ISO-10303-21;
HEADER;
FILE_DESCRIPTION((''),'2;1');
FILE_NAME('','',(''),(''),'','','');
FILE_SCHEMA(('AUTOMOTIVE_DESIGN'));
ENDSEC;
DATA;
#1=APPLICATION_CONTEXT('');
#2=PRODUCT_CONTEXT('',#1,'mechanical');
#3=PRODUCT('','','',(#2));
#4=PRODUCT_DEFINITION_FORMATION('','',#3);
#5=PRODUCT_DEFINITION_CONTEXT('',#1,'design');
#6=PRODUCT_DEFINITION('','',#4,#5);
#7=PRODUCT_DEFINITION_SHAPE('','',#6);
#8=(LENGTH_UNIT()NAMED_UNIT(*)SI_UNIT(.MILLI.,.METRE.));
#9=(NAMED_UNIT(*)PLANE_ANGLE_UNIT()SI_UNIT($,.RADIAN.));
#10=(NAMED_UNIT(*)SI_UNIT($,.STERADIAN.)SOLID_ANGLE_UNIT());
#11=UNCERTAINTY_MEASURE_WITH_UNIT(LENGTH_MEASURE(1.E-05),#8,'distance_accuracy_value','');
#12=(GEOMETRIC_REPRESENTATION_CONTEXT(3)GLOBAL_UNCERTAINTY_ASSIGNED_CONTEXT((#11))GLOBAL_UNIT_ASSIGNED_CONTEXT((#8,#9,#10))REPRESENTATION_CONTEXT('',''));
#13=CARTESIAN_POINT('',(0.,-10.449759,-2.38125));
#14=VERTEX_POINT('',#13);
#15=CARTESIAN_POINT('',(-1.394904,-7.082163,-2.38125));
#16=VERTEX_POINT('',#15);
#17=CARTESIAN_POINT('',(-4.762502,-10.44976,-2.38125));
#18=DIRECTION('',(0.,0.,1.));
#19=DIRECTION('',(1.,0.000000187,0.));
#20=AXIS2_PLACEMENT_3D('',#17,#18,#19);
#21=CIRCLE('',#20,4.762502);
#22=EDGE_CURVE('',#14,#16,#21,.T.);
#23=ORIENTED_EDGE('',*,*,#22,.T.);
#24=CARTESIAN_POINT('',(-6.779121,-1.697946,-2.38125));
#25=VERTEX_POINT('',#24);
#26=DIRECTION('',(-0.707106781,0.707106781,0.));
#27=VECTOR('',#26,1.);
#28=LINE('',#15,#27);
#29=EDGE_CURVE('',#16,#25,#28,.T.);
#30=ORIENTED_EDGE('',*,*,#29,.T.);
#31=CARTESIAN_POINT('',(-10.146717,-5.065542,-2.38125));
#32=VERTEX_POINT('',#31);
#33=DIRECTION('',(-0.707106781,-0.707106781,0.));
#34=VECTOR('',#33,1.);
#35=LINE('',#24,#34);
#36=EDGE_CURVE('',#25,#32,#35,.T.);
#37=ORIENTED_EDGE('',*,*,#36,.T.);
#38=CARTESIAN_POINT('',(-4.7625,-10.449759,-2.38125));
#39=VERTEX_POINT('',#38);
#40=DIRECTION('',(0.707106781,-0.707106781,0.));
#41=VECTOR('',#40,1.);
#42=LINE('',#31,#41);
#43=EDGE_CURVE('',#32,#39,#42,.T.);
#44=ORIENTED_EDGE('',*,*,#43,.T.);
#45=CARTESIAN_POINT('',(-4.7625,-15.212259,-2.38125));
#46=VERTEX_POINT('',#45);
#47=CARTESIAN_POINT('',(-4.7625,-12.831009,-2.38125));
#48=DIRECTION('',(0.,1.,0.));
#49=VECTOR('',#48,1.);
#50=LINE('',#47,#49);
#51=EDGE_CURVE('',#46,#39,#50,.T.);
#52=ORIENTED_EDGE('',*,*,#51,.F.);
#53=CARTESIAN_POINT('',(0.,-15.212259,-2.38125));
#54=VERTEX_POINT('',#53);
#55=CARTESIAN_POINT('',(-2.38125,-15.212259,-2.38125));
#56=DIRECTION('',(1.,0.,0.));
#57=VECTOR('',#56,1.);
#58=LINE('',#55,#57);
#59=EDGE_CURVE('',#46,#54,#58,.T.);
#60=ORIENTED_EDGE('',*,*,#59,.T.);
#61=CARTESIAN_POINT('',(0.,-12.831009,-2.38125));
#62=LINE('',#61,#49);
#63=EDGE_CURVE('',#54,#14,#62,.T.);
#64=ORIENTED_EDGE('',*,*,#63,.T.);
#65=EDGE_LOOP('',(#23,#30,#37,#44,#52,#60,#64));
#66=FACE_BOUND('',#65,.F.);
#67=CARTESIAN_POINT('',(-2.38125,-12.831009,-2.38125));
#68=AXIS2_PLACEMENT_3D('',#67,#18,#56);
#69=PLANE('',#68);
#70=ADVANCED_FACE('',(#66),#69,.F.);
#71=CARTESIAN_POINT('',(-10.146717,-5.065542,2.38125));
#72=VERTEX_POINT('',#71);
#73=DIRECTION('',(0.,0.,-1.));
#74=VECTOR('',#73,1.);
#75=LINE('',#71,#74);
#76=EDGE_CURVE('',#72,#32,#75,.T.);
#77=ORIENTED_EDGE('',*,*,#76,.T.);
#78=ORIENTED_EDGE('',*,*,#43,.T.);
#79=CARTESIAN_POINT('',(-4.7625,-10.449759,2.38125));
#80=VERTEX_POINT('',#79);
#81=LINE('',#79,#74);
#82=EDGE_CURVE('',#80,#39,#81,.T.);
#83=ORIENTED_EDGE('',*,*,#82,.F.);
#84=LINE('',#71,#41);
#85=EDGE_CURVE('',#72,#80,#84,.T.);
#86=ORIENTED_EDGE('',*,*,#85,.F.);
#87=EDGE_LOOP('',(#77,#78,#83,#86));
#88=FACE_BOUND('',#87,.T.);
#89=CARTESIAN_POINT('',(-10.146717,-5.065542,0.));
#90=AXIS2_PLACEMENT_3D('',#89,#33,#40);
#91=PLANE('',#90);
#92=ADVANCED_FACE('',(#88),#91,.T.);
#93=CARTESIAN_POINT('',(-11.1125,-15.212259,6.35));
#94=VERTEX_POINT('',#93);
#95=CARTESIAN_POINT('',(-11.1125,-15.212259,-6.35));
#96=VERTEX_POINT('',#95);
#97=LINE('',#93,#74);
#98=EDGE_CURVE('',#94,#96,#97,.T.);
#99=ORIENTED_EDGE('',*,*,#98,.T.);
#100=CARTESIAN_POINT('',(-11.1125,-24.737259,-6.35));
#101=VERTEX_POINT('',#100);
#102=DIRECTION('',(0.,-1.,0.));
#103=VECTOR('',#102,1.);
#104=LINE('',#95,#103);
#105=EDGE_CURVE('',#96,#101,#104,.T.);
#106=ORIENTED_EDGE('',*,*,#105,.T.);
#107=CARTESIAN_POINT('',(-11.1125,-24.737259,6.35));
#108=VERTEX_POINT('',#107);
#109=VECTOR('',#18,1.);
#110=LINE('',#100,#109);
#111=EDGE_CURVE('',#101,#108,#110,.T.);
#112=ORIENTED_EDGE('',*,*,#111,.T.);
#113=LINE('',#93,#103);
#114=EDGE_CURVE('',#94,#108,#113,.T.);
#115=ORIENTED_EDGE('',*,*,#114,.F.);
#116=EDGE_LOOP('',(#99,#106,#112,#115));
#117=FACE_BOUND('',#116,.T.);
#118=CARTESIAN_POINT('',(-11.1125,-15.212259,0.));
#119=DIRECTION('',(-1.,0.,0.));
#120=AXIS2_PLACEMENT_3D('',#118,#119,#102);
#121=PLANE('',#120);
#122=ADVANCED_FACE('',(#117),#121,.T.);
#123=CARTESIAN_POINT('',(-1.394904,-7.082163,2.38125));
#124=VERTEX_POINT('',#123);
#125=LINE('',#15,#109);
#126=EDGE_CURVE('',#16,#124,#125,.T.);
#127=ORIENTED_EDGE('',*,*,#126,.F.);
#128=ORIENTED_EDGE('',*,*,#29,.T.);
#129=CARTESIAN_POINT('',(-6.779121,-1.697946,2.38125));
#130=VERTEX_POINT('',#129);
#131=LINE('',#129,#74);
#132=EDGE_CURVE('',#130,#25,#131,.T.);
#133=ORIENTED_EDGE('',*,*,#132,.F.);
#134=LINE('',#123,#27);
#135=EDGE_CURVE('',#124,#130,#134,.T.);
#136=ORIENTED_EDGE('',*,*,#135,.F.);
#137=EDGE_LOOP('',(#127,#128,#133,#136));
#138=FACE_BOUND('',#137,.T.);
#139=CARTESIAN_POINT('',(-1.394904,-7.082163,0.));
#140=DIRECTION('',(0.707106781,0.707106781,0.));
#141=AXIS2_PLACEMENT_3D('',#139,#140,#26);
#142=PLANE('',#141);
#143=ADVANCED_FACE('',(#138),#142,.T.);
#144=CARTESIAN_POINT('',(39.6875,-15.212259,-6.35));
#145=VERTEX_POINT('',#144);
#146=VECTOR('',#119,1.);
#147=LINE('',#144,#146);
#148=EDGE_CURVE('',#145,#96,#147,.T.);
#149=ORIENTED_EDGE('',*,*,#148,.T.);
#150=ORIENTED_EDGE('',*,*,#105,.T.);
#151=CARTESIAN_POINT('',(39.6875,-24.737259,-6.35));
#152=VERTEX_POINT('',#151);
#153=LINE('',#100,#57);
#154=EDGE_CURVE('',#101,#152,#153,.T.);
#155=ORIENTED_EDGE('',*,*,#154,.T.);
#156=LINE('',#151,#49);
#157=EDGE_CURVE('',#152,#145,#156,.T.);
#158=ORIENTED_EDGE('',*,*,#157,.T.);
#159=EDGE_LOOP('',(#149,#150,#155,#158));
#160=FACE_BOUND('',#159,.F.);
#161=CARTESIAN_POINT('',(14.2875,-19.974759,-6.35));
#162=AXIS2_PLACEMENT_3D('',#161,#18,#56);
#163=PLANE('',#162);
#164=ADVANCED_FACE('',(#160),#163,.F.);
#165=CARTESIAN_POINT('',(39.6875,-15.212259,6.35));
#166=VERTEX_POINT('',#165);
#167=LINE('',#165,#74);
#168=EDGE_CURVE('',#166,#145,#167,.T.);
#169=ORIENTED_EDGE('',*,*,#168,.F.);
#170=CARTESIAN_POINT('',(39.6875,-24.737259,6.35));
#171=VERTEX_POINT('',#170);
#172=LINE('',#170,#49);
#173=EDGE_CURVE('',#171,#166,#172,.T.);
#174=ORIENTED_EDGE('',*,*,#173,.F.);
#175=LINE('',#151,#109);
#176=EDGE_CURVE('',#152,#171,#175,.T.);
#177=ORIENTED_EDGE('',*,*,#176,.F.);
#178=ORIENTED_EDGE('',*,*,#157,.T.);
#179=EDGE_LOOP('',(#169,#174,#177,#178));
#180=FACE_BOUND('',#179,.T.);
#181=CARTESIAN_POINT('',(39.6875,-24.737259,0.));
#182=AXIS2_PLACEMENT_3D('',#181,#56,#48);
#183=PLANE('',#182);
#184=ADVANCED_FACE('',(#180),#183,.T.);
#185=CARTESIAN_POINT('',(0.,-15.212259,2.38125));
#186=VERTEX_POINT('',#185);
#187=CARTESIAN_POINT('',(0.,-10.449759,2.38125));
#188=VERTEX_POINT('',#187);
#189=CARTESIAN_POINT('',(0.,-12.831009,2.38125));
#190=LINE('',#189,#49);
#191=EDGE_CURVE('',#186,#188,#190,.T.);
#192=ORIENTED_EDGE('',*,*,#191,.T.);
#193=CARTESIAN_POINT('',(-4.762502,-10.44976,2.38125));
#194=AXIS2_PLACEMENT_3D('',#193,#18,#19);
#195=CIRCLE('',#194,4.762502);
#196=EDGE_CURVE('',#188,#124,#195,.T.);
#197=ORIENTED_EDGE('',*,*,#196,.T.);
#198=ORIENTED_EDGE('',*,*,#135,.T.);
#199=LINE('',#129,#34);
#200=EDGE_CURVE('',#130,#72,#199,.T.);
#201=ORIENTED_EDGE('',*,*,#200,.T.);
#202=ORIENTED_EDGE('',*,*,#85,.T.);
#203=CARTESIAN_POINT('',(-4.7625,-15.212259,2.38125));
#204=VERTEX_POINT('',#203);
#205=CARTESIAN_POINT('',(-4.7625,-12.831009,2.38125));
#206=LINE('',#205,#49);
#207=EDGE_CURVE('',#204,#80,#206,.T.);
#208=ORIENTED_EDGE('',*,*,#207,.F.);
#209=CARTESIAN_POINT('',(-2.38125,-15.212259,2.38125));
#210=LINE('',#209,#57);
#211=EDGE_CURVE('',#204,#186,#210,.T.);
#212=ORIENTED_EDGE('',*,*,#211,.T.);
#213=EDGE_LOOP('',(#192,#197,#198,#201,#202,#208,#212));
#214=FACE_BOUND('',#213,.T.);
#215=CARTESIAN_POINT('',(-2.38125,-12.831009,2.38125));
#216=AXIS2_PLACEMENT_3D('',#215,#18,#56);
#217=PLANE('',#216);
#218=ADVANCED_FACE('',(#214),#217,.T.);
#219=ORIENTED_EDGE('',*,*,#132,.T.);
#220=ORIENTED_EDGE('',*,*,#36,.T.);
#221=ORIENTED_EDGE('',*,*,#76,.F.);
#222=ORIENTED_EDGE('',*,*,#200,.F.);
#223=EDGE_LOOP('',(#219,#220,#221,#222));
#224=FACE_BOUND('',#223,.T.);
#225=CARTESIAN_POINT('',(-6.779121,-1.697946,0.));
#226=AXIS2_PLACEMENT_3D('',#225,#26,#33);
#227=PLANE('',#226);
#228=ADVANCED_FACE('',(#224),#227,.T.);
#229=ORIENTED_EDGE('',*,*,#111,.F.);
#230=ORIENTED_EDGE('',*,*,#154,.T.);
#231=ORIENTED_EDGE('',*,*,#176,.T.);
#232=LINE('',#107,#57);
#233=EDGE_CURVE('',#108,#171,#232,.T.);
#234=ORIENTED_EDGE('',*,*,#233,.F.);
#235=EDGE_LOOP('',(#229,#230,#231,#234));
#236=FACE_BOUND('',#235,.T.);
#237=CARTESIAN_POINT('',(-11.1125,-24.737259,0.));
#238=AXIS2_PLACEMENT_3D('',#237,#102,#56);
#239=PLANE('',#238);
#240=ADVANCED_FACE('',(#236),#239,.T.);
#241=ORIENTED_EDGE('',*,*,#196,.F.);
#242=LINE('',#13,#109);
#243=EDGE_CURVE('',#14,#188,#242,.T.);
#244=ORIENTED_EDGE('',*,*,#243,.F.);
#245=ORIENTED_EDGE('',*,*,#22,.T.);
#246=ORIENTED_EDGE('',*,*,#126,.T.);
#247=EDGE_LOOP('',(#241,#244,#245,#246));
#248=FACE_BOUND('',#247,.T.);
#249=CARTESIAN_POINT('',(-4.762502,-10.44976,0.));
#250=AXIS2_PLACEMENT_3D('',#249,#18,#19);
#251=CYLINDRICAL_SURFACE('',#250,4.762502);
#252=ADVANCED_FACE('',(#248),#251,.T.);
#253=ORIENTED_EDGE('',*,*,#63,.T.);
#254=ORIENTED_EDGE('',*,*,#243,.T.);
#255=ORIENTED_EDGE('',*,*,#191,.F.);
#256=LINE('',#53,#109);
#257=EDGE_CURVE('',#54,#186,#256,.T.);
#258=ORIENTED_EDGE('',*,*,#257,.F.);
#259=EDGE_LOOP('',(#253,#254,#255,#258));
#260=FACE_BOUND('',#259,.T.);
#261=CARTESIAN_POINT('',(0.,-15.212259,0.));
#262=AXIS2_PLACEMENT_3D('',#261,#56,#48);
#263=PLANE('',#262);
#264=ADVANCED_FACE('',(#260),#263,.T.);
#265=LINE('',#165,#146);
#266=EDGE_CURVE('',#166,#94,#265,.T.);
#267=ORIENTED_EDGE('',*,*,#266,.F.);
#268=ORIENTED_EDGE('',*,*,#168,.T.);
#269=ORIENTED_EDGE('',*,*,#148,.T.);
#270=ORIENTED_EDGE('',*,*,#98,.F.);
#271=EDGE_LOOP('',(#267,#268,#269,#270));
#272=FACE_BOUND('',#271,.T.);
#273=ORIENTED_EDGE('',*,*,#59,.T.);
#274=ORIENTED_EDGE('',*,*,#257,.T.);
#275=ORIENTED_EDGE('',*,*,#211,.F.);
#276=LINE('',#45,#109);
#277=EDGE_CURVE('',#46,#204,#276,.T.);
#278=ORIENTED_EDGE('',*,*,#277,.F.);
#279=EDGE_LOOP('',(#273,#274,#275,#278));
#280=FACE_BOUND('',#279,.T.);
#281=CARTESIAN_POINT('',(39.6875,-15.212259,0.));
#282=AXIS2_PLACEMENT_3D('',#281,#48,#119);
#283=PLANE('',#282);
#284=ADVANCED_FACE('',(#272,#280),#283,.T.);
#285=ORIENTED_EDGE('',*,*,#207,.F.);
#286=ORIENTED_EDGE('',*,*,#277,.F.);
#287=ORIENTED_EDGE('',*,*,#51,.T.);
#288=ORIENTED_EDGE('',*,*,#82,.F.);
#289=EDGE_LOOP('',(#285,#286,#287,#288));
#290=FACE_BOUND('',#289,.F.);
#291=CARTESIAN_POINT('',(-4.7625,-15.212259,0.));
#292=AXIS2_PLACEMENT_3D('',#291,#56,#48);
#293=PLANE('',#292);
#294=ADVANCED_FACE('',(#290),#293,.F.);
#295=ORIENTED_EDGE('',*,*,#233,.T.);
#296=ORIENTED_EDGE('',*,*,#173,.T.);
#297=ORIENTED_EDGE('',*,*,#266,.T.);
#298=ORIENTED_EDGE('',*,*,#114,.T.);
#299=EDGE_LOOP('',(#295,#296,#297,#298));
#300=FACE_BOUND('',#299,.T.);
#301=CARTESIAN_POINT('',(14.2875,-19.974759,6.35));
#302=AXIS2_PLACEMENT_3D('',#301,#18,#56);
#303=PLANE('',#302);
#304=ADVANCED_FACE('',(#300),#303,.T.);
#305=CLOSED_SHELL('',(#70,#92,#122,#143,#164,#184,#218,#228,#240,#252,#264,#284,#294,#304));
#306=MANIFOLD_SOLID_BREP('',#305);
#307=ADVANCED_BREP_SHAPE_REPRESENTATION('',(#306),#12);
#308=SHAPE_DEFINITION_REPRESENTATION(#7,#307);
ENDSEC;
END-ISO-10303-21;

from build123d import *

# Parameters (mm, degrees)
F1_DEPTH = 6.35
F0_W     = 4.7625
F0_H     = 4.7625
F2_DEPTH = 2.38125


with BuildPart() as f1:
    # F0 (on Top) → F1 (new body, symmetric)
    with BuildSketch(Plane.XY):
        Polygon((0, -15.212259), (-4.7625, -15.212259), (-11.1125, -15.212259), (-11.1125, -24.737259), (39.6875, -24.737259), (39.6875, -15.212259), align=None)
    extrude(amount=F1_DEPTH, both=True)

    # F0 (on Top) → F2 (join, symmetric)
    with BuildSketch(Plane.XY):
        with Locations((-2.38125, -12.831009)):
            Rectangle(F0_W, F0_H)
        with BuildLine():
            Line((-1.394904, -7.082163), (-4.7625, -10.449759))
            Line((-4.7625, -10.449759), (0, -10.449759))
            ThreePointArc((0, -10.449759), (-0.362524, -8.627229), (-1.394904, -7.082163))
        make_face()
        Polygon((-10.146717, -5.065542), (-4.7625, -10.449759), (-1.394904, -7.082163), (-6.779121, -1.697946), align=None)
    extrude(amount=F2_DEPTH, both=True)


solid = f1.part
